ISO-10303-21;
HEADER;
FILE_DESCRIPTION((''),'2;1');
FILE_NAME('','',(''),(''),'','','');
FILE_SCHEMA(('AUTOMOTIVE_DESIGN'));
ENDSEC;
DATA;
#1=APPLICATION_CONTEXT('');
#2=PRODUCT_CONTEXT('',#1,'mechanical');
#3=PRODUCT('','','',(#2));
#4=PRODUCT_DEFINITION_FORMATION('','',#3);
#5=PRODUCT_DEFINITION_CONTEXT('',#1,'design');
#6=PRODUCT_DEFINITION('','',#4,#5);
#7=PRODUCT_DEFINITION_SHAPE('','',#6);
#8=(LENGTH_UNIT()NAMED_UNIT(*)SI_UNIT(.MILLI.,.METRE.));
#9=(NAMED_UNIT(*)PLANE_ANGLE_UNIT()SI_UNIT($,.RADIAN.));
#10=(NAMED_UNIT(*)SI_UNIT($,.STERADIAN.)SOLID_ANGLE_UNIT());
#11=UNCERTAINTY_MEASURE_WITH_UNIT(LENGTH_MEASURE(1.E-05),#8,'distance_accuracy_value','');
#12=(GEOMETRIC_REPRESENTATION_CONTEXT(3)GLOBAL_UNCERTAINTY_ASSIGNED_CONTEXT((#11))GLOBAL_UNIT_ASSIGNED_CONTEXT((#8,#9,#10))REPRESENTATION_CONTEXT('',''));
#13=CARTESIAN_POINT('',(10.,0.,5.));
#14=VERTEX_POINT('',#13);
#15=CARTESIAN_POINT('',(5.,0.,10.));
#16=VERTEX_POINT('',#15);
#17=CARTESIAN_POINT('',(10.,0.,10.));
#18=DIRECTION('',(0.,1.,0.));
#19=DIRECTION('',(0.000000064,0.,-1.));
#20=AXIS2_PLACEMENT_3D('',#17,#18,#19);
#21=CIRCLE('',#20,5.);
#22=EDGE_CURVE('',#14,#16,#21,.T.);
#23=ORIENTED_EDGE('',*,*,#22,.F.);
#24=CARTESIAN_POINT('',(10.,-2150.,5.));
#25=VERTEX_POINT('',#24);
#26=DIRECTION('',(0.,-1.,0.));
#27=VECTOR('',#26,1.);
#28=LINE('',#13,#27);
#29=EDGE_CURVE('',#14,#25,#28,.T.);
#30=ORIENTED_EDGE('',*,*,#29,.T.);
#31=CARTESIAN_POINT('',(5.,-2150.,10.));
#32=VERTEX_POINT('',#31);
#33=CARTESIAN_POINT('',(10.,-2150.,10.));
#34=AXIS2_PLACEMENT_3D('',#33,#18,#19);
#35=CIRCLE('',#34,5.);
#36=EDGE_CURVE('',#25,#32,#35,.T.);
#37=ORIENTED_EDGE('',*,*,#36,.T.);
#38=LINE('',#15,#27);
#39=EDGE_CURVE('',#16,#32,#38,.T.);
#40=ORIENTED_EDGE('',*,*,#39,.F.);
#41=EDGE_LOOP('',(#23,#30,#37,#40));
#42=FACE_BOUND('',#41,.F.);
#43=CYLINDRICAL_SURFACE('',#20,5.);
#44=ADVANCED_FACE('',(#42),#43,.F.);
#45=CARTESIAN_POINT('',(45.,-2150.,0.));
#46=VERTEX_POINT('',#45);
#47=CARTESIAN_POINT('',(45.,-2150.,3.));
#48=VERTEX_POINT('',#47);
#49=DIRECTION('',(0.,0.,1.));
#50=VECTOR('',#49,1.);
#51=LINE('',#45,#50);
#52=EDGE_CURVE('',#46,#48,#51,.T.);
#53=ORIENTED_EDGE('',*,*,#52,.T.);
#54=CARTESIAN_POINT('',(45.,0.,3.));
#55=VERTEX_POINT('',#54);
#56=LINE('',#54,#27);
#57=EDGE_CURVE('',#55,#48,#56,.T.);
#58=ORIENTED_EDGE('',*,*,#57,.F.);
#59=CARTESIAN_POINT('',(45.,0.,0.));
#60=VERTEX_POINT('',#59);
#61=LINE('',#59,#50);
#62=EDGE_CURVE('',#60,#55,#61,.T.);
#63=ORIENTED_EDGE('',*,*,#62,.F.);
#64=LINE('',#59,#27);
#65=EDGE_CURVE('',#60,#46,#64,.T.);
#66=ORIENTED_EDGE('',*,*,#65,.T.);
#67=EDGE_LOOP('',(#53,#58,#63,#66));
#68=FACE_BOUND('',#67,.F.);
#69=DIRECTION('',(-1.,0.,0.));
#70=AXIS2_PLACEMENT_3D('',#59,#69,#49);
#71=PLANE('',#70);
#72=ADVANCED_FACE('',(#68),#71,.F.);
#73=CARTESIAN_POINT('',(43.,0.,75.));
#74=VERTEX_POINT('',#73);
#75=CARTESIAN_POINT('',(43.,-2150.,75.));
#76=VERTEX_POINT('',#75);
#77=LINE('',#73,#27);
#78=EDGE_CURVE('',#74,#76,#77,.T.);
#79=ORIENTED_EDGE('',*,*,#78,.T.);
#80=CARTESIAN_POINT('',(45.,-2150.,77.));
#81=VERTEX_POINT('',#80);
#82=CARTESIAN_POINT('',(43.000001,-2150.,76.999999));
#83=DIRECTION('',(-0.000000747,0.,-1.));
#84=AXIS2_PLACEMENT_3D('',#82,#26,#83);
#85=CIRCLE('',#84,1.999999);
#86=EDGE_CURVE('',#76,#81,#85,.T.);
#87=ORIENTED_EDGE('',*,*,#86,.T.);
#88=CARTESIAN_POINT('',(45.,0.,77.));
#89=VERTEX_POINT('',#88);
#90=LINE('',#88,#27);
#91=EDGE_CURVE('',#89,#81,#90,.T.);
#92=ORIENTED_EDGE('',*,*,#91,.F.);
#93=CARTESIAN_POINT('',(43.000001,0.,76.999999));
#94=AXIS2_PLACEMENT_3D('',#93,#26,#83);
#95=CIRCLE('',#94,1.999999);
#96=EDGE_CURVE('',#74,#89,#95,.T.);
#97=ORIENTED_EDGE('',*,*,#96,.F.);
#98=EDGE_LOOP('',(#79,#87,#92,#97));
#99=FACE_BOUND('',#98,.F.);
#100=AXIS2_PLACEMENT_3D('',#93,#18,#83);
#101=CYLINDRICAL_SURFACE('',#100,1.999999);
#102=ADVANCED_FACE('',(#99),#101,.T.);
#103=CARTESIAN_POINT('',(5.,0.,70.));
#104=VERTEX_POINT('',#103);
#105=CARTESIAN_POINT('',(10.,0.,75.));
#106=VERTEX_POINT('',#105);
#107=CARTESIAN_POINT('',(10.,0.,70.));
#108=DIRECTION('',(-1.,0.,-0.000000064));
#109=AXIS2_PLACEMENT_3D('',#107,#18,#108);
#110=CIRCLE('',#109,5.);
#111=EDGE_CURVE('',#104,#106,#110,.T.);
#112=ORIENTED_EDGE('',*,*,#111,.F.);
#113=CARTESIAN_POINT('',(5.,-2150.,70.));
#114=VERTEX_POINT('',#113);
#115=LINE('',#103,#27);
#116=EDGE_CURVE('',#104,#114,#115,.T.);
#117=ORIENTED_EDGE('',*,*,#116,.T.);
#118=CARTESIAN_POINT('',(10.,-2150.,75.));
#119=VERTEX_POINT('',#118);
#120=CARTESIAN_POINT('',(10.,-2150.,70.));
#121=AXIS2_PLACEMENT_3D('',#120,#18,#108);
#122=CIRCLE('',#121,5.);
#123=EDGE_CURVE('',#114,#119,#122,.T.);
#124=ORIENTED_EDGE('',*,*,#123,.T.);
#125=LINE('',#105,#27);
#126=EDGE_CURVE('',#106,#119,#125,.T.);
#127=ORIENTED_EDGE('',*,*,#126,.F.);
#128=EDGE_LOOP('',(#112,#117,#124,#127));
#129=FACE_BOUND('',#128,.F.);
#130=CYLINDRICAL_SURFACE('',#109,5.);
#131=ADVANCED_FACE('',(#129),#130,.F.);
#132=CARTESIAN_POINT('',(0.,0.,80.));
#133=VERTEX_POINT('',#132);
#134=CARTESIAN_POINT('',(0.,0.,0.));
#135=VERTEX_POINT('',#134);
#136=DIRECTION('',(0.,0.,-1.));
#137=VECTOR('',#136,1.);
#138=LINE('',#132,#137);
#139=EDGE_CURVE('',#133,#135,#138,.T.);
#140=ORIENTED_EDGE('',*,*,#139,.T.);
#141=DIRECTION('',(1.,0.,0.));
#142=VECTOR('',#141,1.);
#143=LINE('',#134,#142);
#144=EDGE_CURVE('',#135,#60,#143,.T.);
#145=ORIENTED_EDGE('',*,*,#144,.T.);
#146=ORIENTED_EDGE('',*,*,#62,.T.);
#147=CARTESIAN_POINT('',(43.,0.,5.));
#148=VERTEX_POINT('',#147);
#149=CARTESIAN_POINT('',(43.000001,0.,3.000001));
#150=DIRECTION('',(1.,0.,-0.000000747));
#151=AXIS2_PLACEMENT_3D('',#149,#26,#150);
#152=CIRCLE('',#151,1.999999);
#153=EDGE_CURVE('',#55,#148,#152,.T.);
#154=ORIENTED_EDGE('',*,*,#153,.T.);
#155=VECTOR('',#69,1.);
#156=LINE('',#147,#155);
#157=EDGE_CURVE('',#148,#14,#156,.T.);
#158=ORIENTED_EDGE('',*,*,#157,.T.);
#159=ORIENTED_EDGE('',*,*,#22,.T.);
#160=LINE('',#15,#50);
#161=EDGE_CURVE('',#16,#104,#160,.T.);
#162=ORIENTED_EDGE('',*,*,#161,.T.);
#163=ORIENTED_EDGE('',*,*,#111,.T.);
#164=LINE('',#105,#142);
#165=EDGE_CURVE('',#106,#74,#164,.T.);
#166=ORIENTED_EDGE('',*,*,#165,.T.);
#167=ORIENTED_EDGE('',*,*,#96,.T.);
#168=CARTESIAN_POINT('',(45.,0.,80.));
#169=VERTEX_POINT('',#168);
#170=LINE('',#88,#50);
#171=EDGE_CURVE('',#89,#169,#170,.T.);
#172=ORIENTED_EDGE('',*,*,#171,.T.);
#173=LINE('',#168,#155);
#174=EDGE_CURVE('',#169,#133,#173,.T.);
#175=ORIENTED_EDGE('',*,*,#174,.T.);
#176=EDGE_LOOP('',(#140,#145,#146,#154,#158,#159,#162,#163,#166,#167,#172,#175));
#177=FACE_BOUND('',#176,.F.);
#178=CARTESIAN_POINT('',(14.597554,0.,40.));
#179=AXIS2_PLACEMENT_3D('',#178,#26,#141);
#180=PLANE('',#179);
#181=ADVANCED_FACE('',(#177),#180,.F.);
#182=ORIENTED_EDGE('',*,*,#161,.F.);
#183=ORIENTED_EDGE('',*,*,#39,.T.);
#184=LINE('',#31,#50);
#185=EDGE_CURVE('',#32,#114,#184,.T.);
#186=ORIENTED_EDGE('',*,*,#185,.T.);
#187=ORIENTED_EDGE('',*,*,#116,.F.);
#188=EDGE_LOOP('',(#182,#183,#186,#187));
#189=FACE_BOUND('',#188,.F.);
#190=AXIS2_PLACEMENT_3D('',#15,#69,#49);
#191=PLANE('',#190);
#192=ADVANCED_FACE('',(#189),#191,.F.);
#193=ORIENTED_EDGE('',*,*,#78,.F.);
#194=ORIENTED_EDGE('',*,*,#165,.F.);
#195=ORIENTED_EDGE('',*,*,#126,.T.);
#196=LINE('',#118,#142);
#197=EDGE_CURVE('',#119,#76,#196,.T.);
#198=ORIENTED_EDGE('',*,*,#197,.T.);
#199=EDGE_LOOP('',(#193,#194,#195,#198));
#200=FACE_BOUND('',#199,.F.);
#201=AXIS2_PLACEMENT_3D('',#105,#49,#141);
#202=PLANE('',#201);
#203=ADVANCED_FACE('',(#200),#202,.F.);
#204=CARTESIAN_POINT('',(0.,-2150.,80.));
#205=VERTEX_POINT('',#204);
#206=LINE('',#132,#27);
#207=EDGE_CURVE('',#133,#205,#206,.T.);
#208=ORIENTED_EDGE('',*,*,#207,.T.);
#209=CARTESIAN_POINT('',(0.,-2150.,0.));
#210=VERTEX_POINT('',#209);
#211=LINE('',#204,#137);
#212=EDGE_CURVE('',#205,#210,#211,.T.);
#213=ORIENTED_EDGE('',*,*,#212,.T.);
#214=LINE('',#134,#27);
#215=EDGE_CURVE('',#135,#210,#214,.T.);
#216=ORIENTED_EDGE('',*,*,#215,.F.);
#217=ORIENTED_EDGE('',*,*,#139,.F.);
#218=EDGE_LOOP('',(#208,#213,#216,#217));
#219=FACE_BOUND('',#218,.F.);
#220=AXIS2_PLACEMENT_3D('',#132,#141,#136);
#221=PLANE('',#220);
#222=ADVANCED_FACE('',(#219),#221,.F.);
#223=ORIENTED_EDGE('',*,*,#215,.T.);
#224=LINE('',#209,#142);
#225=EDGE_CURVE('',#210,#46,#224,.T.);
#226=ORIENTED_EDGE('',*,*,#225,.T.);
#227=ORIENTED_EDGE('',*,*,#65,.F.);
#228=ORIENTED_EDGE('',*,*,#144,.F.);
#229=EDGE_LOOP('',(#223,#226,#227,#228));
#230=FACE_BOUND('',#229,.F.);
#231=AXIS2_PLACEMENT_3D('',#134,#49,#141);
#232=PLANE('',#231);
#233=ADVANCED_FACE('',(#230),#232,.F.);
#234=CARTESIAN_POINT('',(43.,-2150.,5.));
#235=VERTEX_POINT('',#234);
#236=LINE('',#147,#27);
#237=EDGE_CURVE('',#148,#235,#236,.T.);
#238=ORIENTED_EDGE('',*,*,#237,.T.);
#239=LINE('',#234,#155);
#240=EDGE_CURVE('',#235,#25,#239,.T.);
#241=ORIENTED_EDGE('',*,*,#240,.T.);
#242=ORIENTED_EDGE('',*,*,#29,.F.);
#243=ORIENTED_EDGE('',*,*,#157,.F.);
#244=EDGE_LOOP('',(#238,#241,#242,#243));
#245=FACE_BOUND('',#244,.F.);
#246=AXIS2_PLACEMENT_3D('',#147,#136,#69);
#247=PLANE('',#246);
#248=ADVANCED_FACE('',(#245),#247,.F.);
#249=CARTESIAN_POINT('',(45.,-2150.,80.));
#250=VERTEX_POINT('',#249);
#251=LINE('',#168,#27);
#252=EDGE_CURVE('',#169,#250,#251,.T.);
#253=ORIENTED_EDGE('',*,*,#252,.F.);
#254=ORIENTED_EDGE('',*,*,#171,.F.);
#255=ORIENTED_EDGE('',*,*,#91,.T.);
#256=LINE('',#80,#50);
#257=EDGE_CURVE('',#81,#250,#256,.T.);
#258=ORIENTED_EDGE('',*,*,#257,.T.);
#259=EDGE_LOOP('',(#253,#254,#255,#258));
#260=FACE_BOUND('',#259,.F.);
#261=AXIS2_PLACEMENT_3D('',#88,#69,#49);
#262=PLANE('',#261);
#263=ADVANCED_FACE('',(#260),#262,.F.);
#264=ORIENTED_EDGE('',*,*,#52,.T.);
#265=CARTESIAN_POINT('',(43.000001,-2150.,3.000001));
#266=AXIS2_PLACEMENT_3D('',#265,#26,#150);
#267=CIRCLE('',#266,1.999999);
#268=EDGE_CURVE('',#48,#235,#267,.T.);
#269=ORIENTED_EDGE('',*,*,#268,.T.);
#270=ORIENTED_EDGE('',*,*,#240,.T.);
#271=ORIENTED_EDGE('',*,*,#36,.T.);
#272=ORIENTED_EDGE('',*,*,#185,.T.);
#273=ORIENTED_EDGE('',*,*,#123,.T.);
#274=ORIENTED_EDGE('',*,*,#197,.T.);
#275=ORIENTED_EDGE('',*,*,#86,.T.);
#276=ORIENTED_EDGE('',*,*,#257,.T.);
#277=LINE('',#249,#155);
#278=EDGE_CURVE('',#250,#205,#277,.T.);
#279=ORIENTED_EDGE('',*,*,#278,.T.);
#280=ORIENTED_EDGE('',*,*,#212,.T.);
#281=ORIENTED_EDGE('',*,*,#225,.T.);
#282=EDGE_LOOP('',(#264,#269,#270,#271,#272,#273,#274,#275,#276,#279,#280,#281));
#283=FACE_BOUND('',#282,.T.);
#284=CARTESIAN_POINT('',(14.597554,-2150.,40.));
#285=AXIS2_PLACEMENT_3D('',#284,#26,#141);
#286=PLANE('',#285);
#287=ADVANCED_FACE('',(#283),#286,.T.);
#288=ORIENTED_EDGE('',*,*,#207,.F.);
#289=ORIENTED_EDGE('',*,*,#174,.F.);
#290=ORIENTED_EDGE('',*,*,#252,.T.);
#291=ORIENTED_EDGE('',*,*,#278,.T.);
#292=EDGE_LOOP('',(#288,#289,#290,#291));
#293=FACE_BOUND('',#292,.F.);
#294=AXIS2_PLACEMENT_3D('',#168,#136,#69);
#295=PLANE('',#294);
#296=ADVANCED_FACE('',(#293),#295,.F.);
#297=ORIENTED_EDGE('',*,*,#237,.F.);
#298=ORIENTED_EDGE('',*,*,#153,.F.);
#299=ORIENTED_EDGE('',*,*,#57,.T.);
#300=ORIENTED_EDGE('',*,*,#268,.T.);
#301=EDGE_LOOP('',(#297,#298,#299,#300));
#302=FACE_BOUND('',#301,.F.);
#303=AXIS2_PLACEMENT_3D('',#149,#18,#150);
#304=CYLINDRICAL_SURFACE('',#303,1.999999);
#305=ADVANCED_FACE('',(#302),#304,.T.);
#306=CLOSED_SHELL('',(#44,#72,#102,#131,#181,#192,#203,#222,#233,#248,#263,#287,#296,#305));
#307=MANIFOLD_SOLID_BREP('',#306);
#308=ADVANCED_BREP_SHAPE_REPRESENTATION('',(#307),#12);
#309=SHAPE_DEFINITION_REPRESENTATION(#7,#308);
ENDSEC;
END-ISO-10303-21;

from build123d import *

# Parameters (mm, degrees)
F1_DEPTH = 2150


with BuildPart() as f1:
    # F0 (on Front) → F1 (new body)
    with BuildSketch(Plane.XZ):
        with BuildLine():
            Line((0, 80), (0, 0))
            Line((0, 0), (45, 0))
            Line((45, 0), (45, 3))
            ThreePointArc((45, 3), (44.414214, 4.414214), (43, 5))
            Line((43, 5), (10, 5))
            ThreePointArc((10, 5), (6.464466, 6.464466), (5, 10))
            Line((5, 10), (5, 70))
            ThreePointArc((5, 70), (6.464466, 73.535534), (10, 75))
            Line((10, 75), (43, 75))
            ThreePointArc((43, 75), (44.414214, 75.585786), (45, 77))
            Line((45, 77), (45, 80))
            Line((45, 80), (0, 80))
        make_face()
    extrude(amount=F1_DEPTH)


solid = f1.part
